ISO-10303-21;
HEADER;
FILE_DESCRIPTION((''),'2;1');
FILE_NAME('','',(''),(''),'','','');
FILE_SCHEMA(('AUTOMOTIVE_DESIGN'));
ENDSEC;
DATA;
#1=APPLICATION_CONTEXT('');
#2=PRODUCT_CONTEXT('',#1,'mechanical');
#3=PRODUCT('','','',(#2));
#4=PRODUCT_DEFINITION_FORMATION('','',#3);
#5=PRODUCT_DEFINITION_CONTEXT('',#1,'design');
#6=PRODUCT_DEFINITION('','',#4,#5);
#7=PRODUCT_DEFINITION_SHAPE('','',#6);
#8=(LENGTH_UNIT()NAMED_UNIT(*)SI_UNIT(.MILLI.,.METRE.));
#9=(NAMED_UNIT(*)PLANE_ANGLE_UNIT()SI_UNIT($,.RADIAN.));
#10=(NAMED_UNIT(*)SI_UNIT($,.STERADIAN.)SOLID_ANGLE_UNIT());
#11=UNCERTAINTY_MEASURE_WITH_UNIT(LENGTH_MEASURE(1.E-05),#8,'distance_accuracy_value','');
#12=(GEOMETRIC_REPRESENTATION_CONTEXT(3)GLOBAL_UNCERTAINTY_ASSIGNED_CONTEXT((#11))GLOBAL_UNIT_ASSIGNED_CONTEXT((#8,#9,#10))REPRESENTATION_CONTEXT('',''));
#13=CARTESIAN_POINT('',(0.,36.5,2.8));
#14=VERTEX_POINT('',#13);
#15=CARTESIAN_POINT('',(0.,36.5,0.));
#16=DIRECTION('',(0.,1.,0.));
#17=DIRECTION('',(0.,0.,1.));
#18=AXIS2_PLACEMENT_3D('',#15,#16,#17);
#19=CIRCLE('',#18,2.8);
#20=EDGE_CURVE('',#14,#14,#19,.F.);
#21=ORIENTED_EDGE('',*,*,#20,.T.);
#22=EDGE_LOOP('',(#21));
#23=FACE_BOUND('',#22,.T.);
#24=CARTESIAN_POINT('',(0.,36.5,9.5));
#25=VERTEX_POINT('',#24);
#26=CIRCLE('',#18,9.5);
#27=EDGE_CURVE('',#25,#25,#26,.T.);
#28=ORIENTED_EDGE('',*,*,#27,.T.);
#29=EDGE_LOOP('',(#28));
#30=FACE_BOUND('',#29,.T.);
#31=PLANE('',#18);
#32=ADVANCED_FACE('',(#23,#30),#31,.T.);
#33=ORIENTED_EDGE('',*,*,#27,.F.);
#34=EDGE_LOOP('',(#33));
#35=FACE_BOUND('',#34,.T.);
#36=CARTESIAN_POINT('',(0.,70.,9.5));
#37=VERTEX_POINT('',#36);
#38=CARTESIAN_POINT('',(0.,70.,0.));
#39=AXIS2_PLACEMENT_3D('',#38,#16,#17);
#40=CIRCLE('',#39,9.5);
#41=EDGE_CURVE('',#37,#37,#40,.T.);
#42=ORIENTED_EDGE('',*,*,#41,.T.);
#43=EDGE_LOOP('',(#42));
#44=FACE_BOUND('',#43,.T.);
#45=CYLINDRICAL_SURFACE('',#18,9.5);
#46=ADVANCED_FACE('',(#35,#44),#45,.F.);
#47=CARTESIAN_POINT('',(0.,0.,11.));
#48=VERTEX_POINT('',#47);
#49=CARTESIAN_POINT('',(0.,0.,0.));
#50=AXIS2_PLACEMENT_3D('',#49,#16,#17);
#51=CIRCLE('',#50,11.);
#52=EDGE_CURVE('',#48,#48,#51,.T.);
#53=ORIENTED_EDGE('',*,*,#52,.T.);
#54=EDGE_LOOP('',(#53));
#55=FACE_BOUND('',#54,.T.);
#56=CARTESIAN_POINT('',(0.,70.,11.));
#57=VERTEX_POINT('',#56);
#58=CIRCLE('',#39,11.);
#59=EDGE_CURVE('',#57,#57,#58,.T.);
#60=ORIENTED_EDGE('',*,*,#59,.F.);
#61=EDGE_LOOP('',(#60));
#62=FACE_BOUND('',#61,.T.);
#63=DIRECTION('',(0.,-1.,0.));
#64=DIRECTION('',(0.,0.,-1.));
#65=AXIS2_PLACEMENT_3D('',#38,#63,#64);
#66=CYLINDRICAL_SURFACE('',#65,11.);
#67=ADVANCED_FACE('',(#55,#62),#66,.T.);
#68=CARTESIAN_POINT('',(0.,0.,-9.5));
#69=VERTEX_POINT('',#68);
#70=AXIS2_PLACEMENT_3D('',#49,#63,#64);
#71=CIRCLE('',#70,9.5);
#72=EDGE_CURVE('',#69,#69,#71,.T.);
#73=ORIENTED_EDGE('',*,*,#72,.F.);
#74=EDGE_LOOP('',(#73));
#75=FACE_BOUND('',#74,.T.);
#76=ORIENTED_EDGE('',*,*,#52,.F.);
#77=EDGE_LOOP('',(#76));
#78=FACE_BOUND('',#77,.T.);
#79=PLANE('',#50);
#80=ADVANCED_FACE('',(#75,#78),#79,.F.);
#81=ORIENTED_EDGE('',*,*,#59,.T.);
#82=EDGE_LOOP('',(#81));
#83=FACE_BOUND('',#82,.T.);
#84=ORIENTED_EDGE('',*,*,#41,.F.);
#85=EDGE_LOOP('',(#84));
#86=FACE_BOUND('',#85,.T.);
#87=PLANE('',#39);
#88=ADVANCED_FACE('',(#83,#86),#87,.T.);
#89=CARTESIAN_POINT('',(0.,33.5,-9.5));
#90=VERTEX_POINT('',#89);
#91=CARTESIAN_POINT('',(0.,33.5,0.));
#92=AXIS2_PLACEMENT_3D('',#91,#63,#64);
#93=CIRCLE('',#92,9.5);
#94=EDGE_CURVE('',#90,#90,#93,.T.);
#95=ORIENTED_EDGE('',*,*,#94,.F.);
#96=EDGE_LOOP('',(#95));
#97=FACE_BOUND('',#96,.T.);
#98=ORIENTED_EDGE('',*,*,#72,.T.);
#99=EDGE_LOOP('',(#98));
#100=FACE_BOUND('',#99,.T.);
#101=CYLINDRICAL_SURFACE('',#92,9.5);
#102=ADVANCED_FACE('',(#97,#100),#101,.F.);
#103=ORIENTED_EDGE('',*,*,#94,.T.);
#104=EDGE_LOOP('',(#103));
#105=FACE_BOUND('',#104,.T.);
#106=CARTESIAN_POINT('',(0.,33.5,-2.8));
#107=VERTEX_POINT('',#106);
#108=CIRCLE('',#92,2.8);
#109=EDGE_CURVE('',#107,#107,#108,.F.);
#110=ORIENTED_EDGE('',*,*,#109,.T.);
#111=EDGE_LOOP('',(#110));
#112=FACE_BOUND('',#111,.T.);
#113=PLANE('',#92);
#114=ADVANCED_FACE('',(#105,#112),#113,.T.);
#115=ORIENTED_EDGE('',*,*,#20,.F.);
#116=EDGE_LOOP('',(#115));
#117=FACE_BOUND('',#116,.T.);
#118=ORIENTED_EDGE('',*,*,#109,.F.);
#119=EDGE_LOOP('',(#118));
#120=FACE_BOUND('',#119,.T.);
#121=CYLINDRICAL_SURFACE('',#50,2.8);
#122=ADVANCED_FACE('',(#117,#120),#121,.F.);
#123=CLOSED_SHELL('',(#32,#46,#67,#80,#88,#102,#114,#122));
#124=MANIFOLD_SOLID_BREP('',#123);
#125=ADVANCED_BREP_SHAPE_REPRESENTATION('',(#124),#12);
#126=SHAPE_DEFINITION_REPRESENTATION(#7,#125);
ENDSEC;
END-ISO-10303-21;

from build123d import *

# Parameters (mm, degrees)
SKETCH3_R           = 11
BOSS_EXTRUDE1_DEPTH = 70
SKETCH4_R           = 2.8
CUT_EXTRUDE1_DEPTH  = 70
SKETCH5_R           = 9.5
CUT_EXTRUDE2_DEPTH  = 33.5
CUT_EXTRUDE3_START  = -33.5
SKETCH6_R           = 9.5
CUT_EXTRUDE3_DEPTH  = 33.5


with BuildPart() as part:
    # Sketch3 → Boss-Extrude1 (new body)
    with BuildSketch(Plane(origin=(0, 0, 0), x_dir=(1, 0, 0), z_dir=(0, 1, 0))):
        with Locations(Location((0, 0, 0), (0, 0, 270))):
            Circle(SKETCH3_R)
    extrude(amount=BOSS_EXTRUDE1_DEPTH)

    # Sketch4 → Cut-Extrude1 (cut)
    with BuildSketch(Plane(origin=(0, 70, 0), x_dir=(1, 0, 0), z_dir=(0, 1, 0))):
        with Locations(Location((0, 0, 0), (0, 0, 270))):
            Circle(SKETCH4_R)
    extrude(amount=-CUT_EXTRUDE1_DEPTH, mode=Mode.SUBTRACT)

    # Sketch5 → Cut-Extrude2 (cut)
    with BuildSketch(Plane(origin=(0, 0, 0), x_dir=(-1, 0, 0), z_dir=(0, -1, 0))):
        with Locations(Location((0, 0, 0), (0, 0, 90))):
            Circle(SKETCH5_R)
    extrude(amount=-CUT_EXTRUDE2_DEPTH, mode=Mode.SUBTRACT)

    # Sketch6 → Cut-Extrude3 (cut)
    with BuildSketch(Plane(origin=(0, 70, 0), x_dir=(1, 0, 0), z_dir=(0, 1, 0)).offset(CUT_EXTRUDE3_START)):
        with Locations(Location((0, 0, 0), (0, 0, 90))):
            Circle(SKETCH6_R)
    extrude(amount=CUT_EXTRUDE3_DEPTH, mode=Mode.SUBTRACT)


solid = part.part
